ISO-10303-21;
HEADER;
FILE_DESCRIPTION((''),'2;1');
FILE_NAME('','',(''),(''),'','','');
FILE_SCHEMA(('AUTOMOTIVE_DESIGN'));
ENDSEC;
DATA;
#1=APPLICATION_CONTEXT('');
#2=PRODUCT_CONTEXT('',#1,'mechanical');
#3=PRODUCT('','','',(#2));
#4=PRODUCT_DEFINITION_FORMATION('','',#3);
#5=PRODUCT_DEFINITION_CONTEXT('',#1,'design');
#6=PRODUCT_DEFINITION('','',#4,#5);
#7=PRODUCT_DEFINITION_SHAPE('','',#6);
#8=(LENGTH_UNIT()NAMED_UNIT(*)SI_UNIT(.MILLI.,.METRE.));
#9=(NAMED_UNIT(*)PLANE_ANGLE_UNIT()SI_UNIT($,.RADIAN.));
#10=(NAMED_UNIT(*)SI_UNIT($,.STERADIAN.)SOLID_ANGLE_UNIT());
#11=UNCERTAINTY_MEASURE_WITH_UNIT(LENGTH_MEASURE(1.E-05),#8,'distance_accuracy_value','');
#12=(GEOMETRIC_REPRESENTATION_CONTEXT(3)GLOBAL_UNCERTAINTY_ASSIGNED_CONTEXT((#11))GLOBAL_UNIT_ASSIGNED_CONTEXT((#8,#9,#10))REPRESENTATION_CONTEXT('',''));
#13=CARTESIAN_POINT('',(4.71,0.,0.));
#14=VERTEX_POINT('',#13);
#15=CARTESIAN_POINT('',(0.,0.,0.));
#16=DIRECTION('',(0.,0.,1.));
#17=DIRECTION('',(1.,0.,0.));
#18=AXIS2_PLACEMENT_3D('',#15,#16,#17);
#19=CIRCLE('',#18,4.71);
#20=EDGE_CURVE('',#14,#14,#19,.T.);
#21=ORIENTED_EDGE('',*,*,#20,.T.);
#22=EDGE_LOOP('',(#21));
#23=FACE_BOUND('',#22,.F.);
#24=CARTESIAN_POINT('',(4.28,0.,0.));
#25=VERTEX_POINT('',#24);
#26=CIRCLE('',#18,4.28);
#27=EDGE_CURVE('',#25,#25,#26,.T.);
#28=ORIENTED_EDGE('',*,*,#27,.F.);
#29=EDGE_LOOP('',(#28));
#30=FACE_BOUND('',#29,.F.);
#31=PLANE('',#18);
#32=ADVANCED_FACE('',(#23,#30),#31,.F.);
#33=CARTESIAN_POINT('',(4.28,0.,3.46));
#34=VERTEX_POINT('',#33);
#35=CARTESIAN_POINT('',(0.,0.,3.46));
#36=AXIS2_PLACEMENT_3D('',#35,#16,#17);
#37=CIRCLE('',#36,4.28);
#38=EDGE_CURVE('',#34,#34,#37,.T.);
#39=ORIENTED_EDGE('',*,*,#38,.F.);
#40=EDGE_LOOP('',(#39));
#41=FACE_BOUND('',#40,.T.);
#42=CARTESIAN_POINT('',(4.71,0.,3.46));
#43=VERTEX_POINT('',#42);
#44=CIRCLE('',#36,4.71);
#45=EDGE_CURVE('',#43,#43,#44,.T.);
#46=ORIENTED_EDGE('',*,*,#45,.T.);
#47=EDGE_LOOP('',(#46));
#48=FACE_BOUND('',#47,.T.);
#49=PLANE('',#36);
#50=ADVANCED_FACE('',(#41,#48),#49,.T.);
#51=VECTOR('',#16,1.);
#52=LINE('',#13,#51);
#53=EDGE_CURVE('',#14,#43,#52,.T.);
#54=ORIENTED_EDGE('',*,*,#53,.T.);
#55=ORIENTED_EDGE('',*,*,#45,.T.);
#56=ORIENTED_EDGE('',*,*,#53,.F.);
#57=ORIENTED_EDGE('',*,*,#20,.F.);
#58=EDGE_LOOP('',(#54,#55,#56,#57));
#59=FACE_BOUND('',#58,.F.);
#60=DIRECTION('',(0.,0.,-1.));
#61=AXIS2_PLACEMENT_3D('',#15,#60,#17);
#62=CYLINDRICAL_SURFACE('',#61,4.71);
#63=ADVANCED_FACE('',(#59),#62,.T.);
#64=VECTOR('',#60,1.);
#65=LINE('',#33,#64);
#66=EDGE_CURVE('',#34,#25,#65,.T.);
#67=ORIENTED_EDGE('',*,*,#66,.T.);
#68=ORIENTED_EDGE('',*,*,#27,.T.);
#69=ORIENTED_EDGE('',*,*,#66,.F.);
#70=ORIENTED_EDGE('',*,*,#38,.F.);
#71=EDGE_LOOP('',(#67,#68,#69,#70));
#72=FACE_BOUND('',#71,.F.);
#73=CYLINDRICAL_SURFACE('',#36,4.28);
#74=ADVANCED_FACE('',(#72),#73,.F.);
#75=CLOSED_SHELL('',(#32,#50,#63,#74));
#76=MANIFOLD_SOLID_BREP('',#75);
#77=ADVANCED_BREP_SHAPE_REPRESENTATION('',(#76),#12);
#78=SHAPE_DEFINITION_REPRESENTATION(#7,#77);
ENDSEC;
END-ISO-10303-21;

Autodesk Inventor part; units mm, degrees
ref_plane "YZ Plane" through (0, 0, 0) normal (1, 0, 0) x (0, 1, 0)
ref_plane "XZ Plane" through (0, 0, 0) normal (0, 1, 0) x (-1, 0, 0)
ref_plane "XY Plane" through (0, 0, 0) normal (0, 0, 1) x (1, 0, 0)
sketch "Sketch1" plane through (0, 0, 0) normal (0, 0, 1) x (1, 0, 0)
  circle A0 centre (0, 0) radius 4.71
  dimension "d0" = 9.42
extrude "Extrusion1" add sketch "Sketch1" along normal blind 3.46
sketch "Sketch2" plane through (0, 0, 3.46) normal (0, 0, 1) x (1, 0, 0)
  circle A0 centre (0, 0) radius 4.28
  dimension "d3" = 8.56
extrude "Extrusion2" cut sketch "Sketch2" against normal through all
properties part number "MIRROR_F"
